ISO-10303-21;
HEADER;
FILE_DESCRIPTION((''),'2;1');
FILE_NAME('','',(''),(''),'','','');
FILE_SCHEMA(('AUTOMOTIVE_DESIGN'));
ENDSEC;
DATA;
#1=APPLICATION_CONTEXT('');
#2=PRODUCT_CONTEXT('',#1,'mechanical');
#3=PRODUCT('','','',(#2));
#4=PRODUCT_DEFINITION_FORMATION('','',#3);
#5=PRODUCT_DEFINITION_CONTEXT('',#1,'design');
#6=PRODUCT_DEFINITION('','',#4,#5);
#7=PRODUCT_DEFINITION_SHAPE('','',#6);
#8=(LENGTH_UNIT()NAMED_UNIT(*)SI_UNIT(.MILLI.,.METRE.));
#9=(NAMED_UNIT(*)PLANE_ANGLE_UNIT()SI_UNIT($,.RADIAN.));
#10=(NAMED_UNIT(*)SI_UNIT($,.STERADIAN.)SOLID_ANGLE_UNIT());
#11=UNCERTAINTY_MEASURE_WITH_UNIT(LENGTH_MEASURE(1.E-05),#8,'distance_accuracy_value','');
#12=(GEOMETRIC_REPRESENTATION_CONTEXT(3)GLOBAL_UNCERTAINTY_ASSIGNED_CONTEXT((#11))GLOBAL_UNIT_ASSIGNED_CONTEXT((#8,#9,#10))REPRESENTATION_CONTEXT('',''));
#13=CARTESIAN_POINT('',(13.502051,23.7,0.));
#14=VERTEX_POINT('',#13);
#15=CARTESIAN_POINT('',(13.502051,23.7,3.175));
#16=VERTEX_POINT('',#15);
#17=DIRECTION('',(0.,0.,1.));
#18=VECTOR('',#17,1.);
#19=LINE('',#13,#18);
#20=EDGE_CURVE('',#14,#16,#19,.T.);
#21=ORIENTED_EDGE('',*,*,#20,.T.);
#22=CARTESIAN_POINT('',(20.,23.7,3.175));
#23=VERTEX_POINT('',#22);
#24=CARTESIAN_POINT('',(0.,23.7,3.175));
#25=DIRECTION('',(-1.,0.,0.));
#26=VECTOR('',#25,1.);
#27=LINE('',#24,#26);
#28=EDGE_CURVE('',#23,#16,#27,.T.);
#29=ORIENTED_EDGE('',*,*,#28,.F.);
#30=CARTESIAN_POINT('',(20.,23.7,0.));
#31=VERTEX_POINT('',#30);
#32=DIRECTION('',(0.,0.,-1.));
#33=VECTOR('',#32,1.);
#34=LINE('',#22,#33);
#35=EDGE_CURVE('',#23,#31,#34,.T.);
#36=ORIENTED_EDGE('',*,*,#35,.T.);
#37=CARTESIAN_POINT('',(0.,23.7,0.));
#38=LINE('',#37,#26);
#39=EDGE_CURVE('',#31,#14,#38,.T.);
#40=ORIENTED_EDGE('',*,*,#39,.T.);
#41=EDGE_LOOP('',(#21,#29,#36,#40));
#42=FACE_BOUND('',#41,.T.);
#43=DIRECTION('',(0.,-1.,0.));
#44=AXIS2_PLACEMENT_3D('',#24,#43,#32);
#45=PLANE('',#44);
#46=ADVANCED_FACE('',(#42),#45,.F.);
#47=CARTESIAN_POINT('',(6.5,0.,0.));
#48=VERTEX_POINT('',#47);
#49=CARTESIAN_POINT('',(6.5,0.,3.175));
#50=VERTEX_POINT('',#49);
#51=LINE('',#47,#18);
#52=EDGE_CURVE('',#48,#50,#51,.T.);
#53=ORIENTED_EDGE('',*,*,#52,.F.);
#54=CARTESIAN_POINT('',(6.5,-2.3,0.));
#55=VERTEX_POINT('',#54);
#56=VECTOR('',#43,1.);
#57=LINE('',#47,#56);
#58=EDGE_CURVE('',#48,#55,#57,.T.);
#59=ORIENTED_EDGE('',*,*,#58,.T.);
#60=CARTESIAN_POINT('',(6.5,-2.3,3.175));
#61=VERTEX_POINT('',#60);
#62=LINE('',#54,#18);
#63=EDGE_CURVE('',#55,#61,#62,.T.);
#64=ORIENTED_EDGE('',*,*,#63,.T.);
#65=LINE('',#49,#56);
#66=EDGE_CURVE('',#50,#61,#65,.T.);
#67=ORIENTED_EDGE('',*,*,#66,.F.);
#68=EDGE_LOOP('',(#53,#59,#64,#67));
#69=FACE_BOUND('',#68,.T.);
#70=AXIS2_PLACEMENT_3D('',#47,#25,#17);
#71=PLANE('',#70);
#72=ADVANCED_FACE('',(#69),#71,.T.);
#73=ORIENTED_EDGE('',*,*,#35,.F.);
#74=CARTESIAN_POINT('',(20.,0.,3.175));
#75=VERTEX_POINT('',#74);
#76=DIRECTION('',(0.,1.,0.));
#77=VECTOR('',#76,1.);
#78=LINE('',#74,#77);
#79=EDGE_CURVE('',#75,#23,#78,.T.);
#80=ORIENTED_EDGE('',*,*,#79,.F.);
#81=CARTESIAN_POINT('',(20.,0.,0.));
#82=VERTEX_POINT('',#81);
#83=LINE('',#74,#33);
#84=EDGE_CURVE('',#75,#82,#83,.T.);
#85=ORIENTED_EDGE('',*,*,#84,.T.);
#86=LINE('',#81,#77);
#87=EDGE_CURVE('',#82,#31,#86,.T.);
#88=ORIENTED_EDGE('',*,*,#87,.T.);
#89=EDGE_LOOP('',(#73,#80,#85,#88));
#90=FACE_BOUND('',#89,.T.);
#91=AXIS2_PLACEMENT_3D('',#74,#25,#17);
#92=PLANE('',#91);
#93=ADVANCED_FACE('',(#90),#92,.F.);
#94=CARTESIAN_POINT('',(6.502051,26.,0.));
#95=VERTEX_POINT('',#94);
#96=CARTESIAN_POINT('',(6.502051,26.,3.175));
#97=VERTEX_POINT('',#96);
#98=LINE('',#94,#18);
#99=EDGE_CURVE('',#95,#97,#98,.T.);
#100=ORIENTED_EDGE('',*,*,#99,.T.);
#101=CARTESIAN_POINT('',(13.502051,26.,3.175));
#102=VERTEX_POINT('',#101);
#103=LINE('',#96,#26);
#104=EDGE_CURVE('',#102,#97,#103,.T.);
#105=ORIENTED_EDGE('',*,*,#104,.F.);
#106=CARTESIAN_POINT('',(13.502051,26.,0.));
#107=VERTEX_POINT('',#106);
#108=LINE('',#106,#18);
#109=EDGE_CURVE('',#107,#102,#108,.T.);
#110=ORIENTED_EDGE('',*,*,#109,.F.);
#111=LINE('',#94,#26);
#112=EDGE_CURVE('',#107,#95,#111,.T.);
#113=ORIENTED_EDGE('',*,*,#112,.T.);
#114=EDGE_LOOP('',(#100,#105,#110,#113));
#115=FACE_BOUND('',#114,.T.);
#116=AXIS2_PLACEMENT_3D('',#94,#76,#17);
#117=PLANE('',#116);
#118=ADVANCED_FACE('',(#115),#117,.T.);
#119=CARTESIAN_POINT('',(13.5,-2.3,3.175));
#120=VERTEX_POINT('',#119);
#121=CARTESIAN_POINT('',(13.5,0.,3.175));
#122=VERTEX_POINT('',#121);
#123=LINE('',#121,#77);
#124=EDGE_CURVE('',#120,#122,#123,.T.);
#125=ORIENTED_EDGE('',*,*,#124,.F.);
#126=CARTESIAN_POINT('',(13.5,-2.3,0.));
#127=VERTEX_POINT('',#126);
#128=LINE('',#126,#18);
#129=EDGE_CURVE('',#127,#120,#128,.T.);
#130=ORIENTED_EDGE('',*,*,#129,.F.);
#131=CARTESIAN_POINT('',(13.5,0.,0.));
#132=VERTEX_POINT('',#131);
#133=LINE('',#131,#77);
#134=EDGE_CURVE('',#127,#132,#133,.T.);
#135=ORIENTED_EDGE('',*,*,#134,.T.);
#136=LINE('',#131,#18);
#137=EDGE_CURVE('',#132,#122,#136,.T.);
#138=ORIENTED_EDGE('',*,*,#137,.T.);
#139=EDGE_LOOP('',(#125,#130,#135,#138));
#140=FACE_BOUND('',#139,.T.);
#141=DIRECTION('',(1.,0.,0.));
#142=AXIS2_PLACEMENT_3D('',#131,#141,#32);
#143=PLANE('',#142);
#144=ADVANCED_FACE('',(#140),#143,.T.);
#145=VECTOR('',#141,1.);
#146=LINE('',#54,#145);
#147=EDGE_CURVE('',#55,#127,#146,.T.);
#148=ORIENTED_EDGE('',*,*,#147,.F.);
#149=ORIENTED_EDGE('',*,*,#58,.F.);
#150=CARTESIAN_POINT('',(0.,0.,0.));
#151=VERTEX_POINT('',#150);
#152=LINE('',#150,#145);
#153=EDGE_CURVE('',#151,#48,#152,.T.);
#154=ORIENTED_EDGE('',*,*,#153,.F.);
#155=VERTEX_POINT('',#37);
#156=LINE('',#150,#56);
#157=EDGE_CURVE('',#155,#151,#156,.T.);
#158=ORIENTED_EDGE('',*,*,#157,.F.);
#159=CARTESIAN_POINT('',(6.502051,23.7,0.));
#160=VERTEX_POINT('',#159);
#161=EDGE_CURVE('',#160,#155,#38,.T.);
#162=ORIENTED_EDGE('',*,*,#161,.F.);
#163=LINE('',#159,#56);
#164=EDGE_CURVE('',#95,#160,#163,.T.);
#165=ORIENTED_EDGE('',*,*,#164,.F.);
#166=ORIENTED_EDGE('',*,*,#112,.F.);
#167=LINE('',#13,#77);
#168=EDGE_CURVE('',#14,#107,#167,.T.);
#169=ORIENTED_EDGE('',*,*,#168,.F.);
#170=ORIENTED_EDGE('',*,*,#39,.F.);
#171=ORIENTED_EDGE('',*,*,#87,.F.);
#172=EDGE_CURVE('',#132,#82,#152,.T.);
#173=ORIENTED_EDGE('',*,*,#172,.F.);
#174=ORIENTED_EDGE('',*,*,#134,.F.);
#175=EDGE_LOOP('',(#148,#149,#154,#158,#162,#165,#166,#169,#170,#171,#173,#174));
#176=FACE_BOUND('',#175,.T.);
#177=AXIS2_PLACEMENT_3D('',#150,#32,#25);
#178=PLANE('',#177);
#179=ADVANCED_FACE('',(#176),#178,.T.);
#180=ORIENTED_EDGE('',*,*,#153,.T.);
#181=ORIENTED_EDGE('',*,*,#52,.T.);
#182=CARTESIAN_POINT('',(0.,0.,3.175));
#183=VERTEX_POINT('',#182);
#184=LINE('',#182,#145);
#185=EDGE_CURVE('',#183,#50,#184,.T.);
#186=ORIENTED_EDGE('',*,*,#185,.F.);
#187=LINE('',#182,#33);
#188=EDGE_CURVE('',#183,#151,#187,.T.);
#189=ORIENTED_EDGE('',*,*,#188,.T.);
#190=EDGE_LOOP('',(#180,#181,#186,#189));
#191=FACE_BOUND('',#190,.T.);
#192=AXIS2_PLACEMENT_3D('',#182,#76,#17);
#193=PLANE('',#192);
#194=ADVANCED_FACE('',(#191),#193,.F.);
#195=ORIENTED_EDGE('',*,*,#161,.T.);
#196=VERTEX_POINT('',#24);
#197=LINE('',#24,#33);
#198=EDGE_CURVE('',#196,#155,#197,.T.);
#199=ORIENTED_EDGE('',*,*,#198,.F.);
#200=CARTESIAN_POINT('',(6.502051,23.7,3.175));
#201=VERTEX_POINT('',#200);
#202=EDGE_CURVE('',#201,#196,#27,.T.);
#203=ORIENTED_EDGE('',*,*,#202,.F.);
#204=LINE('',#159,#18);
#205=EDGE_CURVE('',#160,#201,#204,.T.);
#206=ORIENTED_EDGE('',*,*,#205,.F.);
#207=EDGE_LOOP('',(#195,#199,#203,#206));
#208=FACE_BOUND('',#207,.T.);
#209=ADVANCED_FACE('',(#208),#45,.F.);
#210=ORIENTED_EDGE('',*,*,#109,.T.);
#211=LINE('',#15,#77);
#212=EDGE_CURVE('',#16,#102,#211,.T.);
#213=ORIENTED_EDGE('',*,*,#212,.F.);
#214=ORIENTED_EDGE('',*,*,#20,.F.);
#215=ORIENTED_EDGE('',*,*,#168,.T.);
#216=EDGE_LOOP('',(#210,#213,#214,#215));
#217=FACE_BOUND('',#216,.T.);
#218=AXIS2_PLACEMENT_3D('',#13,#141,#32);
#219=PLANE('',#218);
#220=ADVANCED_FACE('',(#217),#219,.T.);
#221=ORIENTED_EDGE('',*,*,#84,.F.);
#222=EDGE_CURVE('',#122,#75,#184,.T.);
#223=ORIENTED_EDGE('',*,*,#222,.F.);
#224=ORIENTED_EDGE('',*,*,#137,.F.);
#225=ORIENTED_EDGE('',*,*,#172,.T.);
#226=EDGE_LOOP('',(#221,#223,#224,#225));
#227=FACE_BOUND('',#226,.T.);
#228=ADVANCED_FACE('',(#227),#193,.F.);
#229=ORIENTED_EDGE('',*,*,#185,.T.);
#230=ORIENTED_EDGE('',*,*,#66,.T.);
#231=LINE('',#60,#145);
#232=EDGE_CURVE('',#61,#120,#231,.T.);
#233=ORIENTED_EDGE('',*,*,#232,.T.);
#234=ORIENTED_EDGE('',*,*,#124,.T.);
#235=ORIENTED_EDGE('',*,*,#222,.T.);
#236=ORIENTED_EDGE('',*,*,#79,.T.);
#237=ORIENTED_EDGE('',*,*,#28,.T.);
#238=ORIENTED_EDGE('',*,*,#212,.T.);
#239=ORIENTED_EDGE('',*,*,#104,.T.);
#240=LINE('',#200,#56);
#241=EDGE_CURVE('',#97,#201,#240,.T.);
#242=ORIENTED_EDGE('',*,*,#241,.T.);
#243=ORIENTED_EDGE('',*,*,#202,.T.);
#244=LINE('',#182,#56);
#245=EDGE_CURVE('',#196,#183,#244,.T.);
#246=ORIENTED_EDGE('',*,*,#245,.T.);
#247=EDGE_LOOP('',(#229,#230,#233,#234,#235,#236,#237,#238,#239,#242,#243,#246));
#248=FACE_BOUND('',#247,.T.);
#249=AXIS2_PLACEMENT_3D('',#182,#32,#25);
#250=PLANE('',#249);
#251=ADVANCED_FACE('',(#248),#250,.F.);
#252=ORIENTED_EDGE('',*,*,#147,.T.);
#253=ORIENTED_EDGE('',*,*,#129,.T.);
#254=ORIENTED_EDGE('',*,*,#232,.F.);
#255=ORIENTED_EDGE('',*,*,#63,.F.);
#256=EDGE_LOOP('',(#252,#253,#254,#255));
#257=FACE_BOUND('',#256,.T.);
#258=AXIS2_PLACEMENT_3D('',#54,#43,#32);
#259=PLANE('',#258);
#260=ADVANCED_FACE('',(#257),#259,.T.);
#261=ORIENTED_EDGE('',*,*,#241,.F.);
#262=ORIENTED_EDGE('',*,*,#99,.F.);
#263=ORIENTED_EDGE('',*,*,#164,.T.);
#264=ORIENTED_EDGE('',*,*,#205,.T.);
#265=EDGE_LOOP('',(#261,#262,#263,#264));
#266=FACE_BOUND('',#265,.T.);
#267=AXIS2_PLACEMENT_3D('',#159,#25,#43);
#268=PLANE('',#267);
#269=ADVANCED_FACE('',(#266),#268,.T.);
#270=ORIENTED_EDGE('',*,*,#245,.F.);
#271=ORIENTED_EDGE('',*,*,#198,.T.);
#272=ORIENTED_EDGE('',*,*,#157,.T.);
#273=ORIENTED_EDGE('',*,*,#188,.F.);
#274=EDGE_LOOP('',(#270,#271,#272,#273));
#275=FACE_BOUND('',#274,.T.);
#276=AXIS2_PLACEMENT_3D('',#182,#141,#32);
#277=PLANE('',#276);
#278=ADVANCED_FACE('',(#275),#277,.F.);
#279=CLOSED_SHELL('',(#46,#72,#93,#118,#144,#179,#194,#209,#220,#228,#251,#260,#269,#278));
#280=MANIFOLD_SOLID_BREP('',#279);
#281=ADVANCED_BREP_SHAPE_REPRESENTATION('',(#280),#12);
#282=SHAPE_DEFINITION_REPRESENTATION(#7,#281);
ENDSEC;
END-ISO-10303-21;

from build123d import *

# Parameters (mm, degrees)
SKETCH1_W           = 20
SKETCH1_H           = 23.7
BOSS_EXTRUDE1_DEPTH = 3.175
SKETCH2_W           = 7
SKETCH2_H           = 2.3
BOSS_EXTRUDE2_DEPTH = 3.175


with BuildPart() as part:
    # Sketch1 → Boss-Extrude1 (new body)
    with BuildSketch(Plane.XY):
        with Locations((10, 11.85)):
            Rectangle(SKETCH1_W, SKETCH1_H)
    extrude(amount=BOSS_EXTRUDE1_DEPTH)

    # Sketch2 → Boss-Extrude2 (add)
    with BuildSketch(Plane.XY.offset(3.175)):
        with Locations((10.002051165, 24.85)):
            Rectangle(SKETCH2_W, SKETCH2_H)
        with Locations((10, -1.15)):
            Rectangle(SKETCH2_W, SKETCH2_H)
    extrude(amount=-BOSS_EXTRUDE2_DEPTH)


solid = part.part
